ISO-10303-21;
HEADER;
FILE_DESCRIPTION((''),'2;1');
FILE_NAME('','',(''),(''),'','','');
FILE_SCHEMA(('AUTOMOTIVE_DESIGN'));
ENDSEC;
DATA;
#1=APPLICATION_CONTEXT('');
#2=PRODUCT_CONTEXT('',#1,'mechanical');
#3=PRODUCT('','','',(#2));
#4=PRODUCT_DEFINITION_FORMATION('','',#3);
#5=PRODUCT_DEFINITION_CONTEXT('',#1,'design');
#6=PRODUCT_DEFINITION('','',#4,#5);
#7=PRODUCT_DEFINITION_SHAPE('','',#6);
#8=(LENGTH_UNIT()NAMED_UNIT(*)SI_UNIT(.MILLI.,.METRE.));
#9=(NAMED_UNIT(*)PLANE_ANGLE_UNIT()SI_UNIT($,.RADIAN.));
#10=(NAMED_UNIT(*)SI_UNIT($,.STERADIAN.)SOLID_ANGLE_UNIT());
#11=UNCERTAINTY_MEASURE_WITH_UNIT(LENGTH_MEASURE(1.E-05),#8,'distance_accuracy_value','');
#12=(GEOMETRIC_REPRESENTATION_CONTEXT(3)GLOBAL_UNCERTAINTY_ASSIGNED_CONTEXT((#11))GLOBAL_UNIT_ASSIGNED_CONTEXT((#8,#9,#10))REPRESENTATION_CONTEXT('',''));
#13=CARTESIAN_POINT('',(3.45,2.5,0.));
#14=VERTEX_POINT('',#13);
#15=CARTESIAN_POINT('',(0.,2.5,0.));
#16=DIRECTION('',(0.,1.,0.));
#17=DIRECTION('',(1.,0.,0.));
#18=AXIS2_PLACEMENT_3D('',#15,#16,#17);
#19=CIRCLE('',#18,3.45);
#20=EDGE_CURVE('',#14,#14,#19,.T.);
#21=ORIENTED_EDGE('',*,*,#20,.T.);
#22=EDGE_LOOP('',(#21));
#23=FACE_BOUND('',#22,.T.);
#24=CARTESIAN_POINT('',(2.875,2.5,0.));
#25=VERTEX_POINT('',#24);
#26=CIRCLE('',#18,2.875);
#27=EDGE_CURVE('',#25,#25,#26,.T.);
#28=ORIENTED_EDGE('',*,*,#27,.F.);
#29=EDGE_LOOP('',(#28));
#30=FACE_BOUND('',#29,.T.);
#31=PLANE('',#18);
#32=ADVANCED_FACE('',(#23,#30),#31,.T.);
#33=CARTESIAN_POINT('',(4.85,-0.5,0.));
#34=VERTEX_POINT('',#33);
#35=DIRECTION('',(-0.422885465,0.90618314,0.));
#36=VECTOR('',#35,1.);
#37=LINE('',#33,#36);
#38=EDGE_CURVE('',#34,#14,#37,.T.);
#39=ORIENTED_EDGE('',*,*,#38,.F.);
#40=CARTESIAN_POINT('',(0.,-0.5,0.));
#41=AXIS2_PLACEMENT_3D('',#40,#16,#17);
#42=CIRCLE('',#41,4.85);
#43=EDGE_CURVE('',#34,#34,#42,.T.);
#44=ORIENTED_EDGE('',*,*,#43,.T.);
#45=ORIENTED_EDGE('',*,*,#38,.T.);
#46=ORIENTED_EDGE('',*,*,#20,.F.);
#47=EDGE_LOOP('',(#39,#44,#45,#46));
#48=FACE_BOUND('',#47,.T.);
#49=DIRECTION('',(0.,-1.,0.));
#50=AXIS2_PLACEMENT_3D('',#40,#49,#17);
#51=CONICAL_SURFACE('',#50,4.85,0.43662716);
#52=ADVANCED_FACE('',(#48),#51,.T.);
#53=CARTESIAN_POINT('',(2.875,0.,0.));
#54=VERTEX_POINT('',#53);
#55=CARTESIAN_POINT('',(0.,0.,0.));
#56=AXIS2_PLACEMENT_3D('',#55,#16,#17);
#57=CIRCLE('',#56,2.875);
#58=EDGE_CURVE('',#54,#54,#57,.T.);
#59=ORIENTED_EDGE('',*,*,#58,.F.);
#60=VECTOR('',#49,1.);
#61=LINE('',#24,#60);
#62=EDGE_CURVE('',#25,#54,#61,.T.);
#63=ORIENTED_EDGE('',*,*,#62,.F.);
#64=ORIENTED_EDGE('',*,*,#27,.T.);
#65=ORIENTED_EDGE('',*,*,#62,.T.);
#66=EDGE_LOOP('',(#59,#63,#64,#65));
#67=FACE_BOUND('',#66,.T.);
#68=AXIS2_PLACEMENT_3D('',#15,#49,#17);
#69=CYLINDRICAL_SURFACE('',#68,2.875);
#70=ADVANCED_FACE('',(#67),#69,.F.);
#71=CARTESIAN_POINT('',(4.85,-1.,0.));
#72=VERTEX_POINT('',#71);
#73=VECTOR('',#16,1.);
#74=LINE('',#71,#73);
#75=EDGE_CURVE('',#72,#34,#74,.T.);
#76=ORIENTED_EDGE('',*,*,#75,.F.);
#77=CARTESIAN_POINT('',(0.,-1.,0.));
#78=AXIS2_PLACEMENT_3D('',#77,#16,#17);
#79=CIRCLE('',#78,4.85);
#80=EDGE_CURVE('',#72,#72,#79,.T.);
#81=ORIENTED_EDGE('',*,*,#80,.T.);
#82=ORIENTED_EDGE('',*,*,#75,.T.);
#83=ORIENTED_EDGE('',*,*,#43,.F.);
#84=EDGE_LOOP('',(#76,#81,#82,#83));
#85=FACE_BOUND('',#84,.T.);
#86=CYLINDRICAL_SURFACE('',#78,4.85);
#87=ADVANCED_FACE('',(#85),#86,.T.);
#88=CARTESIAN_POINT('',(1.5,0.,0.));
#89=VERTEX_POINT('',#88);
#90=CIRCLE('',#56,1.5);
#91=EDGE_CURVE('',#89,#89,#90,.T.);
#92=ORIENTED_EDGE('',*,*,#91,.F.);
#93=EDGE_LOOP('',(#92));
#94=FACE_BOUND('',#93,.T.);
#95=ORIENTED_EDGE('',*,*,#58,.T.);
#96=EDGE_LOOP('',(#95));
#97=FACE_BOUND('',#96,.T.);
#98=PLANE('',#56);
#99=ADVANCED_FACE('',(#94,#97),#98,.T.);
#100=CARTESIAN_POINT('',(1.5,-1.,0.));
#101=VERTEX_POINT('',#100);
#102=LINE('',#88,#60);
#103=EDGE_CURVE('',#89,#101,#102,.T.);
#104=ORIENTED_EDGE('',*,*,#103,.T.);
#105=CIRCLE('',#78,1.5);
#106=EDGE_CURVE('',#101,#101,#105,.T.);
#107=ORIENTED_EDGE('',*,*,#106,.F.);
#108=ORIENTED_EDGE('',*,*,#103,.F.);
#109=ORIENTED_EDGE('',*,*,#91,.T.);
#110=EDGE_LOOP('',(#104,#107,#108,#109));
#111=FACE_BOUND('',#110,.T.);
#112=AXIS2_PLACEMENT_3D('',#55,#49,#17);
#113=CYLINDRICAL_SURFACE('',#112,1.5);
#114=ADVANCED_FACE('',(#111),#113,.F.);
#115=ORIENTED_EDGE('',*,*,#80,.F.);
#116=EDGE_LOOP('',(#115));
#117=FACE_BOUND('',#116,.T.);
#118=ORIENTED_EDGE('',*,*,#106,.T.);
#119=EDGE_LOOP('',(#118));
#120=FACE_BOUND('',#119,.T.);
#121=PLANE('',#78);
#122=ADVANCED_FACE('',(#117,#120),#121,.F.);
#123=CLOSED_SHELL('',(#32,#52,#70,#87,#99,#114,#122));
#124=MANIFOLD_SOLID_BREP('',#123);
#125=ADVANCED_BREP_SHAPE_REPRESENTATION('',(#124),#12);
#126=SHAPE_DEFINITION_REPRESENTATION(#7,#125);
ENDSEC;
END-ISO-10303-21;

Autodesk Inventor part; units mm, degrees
ref_plane "YZ Plane" through (0, 0, 0) normal (1, 0, 0) x (0, 1, 0)
ref_plane "XZ Plane" through (0, 0, 0) normal (0, 1, 0) x (-1, 0, 0)
ref_plane "XY Plane" through (0, 0, 0) normal (0, 0, 1) x (1, 0, 0)
sketch "Sketch1" plane through (0, 0, 0) normal (0, 0, 1) x (1, 0, 0)
  line L0 (2.875, 2.5) -> (2.875, 0)
  line L1 (2.875, 0) -> (1.5, 0)
  line L2 (1.5, 0) -> (1.5, -1)
  line L3 (1.5, -1) -> (4.85, -1)
  line L4 (3.45, 2.5) -> (2.875, 2.5)
  line L5 (0, 0) -> (15.2702, 0) construction
  line L6 (4.85, -1) -> (4.85, -0.5)
  line L7 (4.85, -0.5) -> (3.45, 2.5)
  line L8 (0, -1.7) -> (0, 3.2) projected
  dimension "d0" = 2.875
  dimension "d1" = 1.5
  dimension "d2" = 1
  dimension "d3" = 3.45
  dimension "d4" = 3.5
  dimension "d5" = 4.85
  dimension "d6" = 0.5
revolve "Revolution1" add sketch "Sketch1" angle 360 about axis through (0, -10, 0) along (0, 1, 0)
properties part number "M3 Conical Washer" material "Aluminum 6061"
